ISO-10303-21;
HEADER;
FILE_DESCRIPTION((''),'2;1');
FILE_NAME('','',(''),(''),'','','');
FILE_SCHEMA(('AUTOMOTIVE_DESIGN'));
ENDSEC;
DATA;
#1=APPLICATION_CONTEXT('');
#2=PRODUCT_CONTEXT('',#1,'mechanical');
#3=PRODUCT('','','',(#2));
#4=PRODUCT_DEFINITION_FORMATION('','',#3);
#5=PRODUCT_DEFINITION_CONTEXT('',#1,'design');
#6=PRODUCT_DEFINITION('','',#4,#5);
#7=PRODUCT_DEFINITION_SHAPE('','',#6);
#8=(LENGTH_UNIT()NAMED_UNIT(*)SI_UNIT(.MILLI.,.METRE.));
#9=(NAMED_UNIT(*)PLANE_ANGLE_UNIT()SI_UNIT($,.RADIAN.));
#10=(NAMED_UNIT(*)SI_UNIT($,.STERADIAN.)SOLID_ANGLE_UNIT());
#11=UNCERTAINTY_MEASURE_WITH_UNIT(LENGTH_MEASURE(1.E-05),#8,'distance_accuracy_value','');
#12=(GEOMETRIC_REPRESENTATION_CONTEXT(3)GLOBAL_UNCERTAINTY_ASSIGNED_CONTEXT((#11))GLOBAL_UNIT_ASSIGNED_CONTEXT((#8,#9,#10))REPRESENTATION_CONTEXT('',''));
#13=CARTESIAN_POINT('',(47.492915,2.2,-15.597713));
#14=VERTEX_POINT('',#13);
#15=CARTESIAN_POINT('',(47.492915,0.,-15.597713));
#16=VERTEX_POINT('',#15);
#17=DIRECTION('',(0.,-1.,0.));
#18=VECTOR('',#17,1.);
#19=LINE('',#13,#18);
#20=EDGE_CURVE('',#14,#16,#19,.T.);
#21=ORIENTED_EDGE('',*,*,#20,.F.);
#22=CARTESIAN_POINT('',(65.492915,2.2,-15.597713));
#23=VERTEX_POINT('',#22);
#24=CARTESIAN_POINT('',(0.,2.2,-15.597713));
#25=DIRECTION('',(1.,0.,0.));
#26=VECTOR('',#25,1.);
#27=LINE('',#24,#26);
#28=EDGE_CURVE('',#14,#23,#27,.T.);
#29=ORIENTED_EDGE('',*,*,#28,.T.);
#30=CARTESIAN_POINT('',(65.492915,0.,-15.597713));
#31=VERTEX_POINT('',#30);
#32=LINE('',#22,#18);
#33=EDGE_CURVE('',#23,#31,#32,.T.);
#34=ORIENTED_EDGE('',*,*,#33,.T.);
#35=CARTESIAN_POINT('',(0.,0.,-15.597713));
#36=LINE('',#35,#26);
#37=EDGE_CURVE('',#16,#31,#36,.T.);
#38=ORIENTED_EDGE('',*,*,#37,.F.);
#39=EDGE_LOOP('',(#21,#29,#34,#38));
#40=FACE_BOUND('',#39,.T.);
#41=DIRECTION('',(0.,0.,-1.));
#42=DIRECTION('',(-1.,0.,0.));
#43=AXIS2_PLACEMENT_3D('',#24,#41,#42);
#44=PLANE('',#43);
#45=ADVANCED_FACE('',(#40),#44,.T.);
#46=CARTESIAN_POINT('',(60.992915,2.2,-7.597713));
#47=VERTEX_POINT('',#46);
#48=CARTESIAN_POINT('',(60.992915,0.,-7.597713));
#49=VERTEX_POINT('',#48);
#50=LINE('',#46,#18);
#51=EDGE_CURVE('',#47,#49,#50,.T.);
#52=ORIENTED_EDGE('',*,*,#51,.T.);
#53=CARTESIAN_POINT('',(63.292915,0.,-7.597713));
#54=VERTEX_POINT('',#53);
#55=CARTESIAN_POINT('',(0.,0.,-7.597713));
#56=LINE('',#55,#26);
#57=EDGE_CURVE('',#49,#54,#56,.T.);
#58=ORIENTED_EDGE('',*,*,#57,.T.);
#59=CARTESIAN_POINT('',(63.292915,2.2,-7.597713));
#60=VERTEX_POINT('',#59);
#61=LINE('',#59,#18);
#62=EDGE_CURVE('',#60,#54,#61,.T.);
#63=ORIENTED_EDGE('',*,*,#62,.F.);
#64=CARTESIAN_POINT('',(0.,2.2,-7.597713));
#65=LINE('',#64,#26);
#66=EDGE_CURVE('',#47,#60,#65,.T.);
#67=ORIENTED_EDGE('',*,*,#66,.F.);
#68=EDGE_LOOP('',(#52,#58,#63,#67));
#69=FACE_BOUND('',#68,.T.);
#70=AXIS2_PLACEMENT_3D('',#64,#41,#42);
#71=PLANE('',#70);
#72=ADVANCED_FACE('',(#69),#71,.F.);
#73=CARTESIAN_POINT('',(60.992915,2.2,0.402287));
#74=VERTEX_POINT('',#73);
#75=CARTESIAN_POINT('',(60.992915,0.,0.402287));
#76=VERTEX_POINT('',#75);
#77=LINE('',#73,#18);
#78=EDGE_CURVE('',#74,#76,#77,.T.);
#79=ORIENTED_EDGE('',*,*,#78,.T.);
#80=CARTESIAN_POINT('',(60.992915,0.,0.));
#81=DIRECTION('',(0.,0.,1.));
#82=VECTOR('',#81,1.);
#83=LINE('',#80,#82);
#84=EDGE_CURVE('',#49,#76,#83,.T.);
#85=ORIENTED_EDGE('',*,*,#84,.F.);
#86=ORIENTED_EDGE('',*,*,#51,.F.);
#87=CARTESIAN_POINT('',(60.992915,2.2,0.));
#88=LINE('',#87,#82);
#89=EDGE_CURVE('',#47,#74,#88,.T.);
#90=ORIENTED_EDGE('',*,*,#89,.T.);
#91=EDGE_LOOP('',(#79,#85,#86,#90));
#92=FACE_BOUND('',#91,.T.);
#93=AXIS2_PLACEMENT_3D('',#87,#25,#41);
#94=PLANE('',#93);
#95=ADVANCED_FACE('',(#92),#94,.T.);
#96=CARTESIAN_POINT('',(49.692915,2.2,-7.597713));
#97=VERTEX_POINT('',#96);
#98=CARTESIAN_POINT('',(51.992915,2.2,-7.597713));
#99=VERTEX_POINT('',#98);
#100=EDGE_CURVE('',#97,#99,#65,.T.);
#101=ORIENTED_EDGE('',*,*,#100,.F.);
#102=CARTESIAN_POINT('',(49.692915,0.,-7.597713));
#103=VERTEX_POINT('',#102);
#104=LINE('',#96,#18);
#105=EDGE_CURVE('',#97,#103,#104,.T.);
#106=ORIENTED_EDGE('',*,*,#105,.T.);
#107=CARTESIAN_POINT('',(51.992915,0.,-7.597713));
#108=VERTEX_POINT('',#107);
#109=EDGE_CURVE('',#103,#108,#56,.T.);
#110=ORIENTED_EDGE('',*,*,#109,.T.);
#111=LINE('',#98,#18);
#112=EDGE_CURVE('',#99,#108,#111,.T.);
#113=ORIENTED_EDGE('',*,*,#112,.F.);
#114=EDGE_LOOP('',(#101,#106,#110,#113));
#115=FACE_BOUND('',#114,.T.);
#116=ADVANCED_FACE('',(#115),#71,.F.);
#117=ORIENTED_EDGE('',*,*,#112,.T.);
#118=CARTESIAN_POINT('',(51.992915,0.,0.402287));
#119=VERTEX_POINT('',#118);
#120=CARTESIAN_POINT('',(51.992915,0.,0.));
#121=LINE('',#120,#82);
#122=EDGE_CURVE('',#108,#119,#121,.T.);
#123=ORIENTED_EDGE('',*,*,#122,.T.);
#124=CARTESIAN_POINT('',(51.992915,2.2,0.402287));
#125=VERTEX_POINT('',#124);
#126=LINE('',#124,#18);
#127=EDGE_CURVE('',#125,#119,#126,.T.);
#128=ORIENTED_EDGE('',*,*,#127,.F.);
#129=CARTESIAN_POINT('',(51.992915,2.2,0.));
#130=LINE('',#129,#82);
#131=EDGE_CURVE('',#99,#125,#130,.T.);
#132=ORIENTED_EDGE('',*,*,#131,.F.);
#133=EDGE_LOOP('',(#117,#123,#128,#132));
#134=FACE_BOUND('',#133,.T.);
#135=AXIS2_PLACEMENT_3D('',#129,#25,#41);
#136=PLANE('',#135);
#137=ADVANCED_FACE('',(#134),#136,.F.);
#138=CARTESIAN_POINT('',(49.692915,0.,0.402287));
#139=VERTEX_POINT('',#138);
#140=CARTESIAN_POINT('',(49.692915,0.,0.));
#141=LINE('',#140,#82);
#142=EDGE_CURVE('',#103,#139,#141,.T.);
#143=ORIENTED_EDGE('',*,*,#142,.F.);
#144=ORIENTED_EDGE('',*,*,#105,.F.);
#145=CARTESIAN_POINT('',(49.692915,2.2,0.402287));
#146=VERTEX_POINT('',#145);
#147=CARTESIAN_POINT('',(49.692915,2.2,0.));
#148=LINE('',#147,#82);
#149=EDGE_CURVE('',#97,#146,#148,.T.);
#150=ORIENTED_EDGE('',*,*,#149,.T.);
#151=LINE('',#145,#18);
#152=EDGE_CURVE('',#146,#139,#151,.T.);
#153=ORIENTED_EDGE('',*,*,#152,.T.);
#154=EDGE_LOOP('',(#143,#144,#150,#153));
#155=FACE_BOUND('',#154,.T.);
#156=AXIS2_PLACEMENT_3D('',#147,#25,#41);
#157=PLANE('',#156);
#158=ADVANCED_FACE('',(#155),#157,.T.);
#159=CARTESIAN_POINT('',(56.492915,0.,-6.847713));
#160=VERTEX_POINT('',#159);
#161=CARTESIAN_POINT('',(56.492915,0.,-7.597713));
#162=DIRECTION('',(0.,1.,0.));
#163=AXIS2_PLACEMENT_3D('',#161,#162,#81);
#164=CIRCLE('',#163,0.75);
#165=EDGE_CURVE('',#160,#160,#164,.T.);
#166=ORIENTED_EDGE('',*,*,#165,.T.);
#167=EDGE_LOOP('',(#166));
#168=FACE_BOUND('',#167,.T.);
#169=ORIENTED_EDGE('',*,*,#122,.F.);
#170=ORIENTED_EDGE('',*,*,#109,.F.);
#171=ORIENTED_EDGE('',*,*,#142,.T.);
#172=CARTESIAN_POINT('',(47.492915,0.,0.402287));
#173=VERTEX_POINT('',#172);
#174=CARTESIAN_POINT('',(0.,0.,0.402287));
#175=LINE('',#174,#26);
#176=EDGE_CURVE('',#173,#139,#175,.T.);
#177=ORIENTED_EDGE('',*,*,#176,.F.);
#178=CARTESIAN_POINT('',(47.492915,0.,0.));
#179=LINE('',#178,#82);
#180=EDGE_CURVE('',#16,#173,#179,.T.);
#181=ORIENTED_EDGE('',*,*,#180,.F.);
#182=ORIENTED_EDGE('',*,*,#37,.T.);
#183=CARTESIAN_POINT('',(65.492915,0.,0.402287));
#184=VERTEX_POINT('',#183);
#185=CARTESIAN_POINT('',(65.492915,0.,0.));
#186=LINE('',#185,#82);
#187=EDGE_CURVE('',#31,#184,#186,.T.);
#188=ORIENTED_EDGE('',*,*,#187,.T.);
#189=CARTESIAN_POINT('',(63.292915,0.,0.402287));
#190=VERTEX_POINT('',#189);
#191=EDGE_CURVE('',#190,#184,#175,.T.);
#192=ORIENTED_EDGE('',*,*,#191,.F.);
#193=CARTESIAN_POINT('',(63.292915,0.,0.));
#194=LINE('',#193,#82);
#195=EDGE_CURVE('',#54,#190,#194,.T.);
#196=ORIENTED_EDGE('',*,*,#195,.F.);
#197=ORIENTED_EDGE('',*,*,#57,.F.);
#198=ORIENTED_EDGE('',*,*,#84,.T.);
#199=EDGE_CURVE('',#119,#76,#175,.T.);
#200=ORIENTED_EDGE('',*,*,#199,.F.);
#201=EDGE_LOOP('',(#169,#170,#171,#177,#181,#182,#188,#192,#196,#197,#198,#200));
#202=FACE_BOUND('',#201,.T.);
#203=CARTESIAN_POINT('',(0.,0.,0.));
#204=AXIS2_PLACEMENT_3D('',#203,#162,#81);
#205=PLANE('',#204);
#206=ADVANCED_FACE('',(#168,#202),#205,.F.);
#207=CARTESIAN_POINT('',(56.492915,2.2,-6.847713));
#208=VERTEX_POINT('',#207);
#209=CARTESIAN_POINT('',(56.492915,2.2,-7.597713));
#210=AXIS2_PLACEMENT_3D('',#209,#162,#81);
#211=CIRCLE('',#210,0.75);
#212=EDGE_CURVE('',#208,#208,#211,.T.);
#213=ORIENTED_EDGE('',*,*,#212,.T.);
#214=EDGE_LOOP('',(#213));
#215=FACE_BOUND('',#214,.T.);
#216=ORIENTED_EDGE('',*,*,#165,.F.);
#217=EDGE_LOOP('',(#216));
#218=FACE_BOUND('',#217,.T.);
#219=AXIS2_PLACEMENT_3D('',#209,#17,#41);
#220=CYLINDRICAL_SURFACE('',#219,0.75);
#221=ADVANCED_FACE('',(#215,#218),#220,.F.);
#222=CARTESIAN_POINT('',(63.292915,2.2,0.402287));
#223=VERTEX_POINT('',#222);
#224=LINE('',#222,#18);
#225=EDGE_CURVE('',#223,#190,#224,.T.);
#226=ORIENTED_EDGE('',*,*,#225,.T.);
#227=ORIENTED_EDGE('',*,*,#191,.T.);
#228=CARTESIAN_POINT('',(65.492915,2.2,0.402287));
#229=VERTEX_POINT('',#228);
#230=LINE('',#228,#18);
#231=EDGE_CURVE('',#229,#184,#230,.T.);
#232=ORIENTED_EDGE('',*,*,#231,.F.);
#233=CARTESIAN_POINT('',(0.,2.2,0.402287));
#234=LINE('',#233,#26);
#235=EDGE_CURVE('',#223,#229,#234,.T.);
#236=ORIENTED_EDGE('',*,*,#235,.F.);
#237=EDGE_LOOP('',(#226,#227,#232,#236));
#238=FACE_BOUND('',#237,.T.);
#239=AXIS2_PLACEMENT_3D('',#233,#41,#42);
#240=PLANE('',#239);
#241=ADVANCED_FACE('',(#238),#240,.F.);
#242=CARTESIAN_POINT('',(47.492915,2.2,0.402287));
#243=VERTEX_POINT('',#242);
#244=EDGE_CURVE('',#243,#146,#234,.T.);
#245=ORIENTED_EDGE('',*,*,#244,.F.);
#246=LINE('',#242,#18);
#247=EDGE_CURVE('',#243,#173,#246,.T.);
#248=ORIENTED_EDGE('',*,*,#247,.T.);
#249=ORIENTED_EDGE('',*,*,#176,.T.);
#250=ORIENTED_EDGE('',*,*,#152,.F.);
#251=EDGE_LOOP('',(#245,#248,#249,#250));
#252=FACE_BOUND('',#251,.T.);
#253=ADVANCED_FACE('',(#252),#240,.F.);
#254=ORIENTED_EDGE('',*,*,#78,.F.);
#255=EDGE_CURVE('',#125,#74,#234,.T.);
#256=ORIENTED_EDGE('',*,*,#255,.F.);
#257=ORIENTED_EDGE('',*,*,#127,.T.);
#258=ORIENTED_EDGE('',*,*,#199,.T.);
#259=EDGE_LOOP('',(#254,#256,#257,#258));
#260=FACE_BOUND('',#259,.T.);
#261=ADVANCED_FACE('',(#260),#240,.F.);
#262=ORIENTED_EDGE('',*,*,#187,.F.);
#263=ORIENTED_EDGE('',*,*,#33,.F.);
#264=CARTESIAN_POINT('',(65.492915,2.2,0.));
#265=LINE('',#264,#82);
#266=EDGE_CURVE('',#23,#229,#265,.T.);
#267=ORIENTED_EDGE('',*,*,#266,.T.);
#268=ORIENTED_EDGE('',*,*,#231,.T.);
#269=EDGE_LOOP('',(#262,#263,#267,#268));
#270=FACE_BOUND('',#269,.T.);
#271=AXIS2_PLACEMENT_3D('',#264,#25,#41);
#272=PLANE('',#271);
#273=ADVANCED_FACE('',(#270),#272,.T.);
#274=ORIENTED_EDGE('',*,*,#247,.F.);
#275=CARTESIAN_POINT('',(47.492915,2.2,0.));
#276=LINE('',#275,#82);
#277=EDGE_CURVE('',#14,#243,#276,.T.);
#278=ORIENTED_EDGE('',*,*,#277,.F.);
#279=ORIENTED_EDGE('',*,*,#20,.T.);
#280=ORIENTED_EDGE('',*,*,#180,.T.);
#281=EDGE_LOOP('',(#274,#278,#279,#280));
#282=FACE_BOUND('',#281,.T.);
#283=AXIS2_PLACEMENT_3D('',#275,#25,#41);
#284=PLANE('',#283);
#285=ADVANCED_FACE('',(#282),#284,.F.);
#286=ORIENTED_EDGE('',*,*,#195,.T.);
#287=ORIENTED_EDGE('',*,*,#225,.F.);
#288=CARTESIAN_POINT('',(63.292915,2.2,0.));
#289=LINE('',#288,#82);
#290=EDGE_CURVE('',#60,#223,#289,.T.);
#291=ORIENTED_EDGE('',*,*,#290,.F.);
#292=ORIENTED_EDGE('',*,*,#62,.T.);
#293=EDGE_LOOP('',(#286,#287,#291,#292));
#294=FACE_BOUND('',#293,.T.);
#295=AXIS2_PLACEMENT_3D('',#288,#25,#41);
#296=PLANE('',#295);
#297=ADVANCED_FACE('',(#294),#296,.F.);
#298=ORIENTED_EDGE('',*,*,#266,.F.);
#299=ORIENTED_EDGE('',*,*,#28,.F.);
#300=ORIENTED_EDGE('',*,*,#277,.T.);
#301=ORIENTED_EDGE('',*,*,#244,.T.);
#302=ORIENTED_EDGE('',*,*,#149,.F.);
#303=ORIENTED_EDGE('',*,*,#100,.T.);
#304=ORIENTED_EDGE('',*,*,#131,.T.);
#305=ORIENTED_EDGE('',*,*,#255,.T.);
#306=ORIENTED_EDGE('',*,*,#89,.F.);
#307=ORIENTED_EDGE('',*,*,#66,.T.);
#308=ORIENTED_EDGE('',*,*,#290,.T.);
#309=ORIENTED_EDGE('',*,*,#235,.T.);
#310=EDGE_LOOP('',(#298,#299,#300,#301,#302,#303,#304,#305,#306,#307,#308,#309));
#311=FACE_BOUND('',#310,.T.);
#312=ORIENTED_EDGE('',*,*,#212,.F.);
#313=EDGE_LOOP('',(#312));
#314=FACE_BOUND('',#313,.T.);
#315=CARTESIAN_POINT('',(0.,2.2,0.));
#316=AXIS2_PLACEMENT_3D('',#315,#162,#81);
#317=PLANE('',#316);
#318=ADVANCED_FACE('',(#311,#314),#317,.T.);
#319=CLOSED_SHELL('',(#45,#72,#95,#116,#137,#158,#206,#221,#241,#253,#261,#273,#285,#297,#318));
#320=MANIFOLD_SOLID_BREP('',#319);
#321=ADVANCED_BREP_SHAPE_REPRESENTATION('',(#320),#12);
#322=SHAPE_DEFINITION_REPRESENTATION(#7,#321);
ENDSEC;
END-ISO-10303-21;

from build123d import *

# Parameters (mm, degrees)
SKETCH1_R           = 0.75
BOSS_EXTRUDE1_DEPTH = 2.2


with BuildPart() as part:
    # Sketch1 → Boss-Extrude1 (new body)
    with BuildSketch(Plane(origin=(0, 0, 0), x_dir=(1, 0, 0), z_dir=(0, 1, 0))):
        Polygon((65.492915323, 15.597712716), (65.492915323, -0.402287284), (63.292915323, -0.402287284), (63.292915323, 7.597712716), (60.992915323, 7.597712716), (60.992915323, -0.402287284), (51.992915323, -0.402287284), (51.992915323, 7.597712716), (49.692915323, 7.597712716), (49.692915323, -0.402287284), (47.492915323, -0.402287284), (47.492915323, 15.597712716), align=None)
        with Locations(Location((56.492915323, 7.597712716, 0), (0, 0, 270))):
            Circle(SKETCH1_R, mode=Mode.SUBTRACT)
    extrude(amount=BOSS_EXTRUDE1_DEPTH)


solid = part.part
